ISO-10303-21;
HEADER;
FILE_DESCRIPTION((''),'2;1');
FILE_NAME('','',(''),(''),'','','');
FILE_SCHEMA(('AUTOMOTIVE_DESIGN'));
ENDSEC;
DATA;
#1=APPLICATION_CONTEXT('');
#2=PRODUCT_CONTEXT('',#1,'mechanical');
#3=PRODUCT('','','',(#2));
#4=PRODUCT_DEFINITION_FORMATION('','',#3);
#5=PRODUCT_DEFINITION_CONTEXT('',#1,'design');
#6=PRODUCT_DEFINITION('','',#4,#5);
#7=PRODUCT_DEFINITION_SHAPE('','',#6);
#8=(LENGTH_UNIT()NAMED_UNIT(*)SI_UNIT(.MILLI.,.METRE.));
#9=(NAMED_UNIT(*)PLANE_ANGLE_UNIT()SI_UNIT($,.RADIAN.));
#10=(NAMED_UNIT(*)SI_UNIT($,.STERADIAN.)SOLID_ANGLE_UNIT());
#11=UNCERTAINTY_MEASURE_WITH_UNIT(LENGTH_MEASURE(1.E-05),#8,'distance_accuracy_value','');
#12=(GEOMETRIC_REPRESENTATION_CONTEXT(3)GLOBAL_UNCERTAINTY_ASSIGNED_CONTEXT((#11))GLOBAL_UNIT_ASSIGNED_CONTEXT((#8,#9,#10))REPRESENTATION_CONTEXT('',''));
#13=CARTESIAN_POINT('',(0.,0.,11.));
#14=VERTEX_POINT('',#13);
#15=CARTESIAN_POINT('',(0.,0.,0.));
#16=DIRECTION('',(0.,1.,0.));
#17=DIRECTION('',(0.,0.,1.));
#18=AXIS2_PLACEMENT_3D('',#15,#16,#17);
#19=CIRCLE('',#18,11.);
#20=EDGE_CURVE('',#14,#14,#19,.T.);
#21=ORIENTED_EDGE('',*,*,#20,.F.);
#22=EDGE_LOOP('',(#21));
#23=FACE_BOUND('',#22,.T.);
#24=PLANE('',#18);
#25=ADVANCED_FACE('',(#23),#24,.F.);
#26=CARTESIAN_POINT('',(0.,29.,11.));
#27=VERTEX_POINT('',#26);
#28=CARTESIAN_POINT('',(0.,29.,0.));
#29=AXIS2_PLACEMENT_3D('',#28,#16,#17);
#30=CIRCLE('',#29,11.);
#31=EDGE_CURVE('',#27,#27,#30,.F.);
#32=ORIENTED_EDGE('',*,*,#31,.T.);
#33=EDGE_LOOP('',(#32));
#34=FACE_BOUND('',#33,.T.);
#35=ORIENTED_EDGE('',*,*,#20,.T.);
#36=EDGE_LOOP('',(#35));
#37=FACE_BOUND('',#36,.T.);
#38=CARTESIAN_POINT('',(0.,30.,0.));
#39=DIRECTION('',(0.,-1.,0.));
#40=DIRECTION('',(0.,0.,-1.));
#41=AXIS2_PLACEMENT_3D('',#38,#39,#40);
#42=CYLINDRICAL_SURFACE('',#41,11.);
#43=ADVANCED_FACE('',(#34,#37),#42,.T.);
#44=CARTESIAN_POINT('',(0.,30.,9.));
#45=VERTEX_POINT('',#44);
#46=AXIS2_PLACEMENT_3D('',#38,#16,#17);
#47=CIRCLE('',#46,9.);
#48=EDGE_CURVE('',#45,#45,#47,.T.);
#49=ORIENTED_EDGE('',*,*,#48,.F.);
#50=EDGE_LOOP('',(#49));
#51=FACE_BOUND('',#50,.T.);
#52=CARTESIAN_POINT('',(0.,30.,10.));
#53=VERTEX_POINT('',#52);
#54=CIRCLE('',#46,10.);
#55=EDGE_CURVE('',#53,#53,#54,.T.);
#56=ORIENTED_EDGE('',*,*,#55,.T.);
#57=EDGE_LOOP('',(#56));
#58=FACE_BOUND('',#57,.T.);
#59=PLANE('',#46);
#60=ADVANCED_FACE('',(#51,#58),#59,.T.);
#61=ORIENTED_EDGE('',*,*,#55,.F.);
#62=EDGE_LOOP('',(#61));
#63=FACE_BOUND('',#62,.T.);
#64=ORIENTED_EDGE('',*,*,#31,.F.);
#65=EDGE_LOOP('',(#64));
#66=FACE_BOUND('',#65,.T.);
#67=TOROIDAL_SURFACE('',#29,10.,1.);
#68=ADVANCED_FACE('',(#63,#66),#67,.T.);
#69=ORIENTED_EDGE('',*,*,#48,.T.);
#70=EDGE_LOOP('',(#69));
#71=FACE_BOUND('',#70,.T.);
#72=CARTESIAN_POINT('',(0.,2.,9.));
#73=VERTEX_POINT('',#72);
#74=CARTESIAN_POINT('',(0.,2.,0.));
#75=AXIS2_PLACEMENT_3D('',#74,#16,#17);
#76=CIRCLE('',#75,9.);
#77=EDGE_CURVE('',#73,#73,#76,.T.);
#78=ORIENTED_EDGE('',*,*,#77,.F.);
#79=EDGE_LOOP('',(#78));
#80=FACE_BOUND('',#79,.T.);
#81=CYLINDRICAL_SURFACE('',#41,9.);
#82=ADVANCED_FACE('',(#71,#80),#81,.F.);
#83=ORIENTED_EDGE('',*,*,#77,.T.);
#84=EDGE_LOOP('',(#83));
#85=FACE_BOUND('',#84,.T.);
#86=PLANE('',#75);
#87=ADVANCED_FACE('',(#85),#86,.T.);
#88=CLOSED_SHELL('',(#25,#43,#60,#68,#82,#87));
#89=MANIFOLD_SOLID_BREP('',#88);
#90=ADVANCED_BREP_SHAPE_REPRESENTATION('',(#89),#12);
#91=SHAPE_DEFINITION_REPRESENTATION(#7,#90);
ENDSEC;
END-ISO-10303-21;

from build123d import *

# Parameters (mm, degrees)
ESBO_O1_R                = 11
RESSALTO_EXTRUS_O1_DEPTH = 30
CASCA1_T                 = -2
FILETE1_R                = 1


with BuildPart() as part:
    # Esboço1 → Ressalto-extrusão1 (new body)
    with BuildSketch(Plane(origin=(0, 0, 0), x_dir=(1, 0, 0), z_dir=(0, 1, 0))):
        with Locations(Location((0, 0, 0), (0, 0, 270))):  # turned: the seam where the file's is
            Circle(ESBO_O1_R)
    extrude(amount=RESSALTO_EXTRUS_O1_DEPTH)

    # Casca1
    casca1_openings = [part.faces().sort_by_distance(p)[0] for p in [
        (0, 30, 0),
    ]]
    offset(amount=CASCA1_T, openings=casca1_openings, kind=Kind.INTERSECTION)

    # Filete1
    filete1_edges = [part.edges().sort_by_distance(p)[0] for p in [
        (0, 30, -11),
    ]]
    fillet(filete1_edges, radius=FILETE1_R)


solid = part.part
